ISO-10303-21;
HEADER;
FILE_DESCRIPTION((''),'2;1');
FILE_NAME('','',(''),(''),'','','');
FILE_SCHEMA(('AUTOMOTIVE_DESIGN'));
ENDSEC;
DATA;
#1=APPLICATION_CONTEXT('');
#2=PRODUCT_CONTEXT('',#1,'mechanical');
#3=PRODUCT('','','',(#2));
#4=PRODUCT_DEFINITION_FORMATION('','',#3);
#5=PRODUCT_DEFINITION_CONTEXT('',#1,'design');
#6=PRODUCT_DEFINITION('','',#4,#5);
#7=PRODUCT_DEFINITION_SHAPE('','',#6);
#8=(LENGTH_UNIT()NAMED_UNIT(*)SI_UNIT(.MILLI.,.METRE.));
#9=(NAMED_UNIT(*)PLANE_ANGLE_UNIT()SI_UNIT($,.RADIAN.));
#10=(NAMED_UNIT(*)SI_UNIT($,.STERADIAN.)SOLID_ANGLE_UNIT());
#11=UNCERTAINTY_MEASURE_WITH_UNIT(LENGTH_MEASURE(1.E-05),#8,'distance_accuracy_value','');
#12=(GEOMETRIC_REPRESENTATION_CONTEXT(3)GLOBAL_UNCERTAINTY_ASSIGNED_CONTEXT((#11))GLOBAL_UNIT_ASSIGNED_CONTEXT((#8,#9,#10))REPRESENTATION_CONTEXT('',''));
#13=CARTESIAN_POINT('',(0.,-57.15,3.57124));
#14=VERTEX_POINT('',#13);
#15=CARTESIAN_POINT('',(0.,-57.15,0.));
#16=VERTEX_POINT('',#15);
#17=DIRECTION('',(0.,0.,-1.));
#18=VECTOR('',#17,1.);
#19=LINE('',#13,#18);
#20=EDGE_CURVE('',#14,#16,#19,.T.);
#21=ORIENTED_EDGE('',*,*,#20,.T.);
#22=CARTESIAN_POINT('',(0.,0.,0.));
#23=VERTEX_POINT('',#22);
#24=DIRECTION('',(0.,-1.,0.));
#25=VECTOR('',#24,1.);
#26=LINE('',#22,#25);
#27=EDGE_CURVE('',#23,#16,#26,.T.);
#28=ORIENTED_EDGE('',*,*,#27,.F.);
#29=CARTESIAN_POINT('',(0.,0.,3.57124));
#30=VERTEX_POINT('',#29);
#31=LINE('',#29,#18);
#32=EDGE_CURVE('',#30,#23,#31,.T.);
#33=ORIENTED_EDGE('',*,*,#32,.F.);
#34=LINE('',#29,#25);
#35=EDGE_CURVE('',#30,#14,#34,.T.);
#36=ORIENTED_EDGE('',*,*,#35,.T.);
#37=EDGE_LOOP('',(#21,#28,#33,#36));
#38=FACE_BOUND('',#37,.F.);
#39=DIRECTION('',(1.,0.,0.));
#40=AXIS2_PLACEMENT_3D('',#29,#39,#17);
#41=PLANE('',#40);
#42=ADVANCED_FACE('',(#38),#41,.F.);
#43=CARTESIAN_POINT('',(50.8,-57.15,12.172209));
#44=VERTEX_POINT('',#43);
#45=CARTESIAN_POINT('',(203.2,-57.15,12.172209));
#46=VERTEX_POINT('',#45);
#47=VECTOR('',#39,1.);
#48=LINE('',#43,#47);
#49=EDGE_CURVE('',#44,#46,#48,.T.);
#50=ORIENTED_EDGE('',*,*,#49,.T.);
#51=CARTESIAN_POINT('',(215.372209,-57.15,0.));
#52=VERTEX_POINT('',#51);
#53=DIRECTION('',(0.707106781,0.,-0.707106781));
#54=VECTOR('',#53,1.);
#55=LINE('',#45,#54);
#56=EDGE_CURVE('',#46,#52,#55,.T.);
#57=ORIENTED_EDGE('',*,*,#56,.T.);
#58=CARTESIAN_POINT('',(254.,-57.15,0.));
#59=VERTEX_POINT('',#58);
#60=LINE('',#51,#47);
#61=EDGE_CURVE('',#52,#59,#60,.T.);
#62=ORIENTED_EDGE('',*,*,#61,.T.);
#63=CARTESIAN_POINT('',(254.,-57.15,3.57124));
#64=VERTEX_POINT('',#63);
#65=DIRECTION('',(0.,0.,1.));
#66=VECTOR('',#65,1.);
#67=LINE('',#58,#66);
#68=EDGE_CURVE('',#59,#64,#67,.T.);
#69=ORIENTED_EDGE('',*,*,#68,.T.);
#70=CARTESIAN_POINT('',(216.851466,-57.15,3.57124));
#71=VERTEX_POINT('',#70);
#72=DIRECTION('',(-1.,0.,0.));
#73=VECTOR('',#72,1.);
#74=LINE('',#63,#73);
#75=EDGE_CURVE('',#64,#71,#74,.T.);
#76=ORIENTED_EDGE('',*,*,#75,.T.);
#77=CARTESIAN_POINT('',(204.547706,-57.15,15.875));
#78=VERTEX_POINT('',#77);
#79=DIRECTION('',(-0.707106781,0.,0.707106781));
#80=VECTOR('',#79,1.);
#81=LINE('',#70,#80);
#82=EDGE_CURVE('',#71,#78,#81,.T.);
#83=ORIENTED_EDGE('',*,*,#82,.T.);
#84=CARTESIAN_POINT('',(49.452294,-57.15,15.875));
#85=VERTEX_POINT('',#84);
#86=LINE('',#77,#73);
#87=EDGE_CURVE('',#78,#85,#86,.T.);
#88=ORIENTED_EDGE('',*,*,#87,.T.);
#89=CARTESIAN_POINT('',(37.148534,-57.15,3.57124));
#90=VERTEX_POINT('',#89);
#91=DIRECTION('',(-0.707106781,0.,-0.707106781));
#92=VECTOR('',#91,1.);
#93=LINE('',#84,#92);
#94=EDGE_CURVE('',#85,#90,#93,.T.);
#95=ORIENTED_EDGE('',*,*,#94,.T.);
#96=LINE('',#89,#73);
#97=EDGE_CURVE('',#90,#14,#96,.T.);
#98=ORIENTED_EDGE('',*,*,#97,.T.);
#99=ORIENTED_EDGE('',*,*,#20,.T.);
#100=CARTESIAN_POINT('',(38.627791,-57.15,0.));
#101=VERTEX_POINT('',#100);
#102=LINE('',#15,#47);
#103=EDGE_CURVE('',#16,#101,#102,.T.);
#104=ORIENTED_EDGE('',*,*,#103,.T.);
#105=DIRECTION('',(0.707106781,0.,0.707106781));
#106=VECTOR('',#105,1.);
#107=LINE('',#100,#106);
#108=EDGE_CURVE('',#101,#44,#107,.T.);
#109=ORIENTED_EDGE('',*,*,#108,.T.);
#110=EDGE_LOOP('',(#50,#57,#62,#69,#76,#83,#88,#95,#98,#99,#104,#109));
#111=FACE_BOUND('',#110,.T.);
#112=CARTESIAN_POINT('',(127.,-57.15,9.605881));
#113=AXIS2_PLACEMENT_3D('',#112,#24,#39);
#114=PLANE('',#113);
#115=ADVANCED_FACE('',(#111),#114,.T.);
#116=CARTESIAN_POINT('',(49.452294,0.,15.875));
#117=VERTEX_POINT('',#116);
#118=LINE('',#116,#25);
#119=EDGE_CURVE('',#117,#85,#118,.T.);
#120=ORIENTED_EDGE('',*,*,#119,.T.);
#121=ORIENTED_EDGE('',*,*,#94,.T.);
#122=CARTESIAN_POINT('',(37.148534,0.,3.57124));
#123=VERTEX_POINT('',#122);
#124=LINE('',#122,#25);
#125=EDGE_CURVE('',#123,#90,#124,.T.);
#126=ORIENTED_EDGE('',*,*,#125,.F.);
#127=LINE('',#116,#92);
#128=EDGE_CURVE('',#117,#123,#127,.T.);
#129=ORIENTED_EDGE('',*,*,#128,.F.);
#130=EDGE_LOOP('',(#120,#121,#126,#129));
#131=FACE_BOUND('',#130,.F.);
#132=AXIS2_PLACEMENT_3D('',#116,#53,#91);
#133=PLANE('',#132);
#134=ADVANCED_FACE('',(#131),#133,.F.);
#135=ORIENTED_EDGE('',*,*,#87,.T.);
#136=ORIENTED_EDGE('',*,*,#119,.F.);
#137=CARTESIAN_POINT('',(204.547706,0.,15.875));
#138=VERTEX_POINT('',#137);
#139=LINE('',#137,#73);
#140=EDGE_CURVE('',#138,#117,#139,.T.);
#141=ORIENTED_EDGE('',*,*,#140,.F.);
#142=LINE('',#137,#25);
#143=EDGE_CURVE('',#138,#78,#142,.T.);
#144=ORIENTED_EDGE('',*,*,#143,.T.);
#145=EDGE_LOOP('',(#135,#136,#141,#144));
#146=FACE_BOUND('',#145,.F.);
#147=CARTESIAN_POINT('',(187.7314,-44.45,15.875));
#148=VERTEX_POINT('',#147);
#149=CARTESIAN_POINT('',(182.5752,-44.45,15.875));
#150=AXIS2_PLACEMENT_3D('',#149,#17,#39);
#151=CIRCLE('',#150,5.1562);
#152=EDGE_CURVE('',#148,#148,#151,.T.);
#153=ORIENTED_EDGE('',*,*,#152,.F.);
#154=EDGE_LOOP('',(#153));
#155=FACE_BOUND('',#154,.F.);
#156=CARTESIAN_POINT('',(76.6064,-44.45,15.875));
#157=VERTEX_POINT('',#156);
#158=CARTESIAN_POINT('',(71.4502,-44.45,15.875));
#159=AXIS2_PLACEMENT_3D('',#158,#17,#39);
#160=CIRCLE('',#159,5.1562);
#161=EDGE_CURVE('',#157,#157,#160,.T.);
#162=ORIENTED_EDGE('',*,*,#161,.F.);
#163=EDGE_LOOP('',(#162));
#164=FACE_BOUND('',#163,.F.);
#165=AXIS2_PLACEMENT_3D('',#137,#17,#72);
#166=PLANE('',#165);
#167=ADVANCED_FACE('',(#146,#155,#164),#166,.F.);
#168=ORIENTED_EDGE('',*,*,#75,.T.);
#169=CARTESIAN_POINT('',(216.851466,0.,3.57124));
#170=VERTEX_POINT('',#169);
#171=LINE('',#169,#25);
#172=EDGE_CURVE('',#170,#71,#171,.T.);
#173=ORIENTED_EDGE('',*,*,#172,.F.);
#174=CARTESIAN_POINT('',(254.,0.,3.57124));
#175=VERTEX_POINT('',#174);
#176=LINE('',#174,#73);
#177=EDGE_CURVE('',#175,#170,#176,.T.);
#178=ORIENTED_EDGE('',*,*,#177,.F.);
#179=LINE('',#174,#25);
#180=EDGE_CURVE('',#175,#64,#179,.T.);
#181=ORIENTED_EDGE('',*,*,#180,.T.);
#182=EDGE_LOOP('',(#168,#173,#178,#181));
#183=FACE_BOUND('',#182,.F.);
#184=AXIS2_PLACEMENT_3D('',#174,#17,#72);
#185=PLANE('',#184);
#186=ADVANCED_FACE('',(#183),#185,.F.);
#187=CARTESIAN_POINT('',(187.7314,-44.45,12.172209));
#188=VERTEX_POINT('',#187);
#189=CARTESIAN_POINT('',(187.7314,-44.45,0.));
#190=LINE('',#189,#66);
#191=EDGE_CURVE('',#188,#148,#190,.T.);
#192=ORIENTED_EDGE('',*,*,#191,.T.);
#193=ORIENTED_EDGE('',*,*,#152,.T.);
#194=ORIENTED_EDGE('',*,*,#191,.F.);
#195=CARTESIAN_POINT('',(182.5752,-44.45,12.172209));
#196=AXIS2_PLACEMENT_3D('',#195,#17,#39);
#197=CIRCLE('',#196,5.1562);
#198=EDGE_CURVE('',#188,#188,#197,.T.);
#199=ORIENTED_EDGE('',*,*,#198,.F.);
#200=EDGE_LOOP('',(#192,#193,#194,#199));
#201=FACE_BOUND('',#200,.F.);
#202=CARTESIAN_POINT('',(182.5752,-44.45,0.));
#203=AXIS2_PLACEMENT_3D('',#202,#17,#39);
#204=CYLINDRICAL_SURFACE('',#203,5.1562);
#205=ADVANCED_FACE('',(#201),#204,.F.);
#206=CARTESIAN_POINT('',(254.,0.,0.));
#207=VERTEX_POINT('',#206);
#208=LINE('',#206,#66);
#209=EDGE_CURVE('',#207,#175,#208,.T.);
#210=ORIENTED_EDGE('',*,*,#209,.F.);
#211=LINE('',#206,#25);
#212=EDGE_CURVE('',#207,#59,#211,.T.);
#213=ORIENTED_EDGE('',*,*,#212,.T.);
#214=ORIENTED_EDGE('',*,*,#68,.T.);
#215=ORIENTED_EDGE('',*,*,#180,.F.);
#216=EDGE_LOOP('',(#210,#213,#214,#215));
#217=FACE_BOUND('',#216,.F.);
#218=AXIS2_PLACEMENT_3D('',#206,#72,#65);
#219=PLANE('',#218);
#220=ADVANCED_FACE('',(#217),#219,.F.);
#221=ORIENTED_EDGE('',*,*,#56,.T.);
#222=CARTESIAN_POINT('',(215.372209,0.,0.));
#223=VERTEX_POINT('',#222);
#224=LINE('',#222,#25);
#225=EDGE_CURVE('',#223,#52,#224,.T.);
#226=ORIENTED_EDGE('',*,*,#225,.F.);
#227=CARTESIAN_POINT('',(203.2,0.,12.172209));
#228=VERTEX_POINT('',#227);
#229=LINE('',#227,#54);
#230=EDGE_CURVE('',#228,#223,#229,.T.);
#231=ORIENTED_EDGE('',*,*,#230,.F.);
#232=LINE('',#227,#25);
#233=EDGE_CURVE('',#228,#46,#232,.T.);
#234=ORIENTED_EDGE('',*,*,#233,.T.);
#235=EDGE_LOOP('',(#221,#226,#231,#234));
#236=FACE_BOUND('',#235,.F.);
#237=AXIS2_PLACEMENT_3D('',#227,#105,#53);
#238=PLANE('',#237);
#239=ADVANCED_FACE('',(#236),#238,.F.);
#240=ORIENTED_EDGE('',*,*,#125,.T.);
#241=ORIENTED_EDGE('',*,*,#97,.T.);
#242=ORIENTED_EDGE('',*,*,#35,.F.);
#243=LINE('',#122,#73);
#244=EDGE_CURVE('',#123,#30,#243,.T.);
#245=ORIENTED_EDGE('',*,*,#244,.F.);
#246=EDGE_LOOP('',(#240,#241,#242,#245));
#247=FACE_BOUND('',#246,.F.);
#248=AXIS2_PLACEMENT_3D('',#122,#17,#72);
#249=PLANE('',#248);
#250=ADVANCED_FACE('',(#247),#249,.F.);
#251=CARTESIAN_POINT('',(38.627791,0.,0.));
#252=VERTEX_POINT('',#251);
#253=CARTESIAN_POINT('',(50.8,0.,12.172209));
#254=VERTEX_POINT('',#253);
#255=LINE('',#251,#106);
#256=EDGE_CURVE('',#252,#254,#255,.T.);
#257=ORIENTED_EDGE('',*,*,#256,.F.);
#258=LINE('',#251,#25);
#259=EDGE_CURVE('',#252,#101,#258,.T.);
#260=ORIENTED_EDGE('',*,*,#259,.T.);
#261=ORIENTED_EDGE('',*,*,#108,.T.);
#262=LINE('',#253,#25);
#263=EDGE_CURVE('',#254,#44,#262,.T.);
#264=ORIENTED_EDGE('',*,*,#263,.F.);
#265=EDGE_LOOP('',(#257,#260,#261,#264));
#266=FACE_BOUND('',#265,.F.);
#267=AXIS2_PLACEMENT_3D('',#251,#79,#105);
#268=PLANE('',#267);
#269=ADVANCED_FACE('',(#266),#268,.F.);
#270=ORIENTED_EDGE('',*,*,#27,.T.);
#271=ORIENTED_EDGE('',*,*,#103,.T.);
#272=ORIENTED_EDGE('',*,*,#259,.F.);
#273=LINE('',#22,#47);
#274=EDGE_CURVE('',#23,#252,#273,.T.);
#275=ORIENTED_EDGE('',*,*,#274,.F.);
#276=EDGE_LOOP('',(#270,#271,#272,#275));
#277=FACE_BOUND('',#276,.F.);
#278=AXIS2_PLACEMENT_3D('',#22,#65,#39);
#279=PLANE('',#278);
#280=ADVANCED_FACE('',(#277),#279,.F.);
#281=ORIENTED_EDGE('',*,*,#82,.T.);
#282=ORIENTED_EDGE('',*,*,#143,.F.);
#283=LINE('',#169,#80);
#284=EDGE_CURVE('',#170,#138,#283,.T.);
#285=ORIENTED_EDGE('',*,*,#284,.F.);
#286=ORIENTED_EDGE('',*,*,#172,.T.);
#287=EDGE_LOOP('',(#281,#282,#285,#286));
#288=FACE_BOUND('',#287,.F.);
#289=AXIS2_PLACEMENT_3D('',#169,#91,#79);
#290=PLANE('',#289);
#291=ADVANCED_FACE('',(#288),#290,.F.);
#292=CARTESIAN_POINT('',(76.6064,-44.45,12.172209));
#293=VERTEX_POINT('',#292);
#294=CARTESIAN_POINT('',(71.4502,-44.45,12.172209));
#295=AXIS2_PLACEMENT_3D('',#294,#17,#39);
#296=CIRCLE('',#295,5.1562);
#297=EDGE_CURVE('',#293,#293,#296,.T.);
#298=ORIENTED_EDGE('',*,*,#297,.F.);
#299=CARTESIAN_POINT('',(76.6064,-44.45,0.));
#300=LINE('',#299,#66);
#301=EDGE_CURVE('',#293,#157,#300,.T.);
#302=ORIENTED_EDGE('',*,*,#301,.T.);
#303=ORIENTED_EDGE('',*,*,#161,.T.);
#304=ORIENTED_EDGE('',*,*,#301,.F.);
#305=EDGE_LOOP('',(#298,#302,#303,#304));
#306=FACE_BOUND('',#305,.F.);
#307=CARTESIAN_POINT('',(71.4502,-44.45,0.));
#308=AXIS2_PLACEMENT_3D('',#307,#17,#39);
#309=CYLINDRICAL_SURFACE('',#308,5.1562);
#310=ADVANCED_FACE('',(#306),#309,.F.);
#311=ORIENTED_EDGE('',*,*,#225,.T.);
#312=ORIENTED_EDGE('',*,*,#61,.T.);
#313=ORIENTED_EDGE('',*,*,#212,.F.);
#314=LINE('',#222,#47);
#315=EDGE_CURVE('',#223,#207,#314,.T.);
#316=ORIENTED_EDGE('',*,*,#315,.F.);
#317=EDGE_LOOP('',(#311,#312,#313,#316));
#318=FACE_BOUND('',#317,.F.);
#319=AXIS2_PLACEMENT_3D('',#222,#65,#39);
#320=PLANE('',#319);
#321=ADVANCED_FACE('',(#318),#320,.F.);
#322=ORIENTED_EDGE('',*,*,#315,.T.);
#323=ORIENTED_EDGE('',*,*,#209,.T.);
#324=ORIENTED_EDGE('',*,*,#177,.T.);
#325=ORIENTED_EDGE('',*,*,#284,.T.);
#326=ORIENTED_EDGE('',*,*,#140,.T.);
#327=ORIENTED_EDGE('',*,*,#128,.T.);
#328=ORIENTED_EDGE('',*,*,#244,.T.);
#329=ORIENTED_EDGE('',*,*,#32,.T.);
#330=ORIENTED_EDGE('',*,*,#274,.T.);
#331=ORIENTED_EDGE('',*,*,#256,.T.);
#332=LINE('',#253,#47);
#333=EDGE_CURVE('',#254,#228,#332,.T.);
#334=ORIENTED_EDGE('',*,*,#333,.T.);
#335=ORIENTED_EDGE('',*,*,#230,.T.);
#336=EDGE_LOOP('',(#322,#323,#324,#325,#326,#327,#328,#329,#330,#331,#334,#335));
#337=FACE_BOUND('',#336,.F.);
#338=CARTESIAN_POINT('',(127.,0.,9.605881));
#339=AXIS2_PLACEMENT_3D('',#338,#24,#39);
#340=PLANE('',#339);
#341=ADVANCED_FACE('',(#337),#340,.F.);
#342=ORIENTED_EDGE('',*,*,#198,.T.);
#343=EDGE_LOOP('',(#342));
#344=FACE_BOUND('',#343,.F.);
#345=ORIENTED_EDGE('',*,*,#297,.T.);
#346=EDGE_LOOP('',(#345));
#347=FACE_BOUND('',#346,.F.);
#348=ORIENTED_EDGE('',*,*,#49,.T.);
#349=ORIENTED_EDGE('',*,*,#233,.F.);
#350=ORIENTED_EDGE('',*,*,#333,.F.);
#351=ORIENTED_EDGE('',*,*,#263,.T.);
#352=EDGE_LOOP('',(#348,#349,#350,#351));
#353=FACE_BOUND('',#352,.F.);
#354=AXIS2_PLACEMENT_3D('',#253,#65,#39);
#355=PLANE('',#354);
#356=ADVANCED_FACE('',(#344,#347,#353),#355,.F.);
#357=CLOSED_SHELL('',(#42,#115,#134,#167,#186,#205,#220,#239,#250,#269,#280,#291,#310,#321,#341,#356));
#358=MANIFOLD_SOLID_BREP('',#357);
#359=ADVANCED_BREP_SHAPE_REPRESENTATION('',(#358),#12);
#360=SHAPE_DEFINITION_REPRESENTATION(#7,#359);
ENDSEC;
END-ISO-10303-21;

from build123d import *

# Parameters (mm, degrees)
F1_DEPTH = 57.15
F2_R     = 5.1562
F3_DEPTH = 25.4


with BuildPart() as f1:
    # F0 (on Front) → F1 (new body)
    with BuildSketch(Plane.XZ):
        Polygon((0, 3.57124), (0, 0), (38.627791, 0), (50.8, 12.172209), (51.9684, 12.172209), (127, 12.172209), (203.2, 12.172209), (215.372209, 0), (254, 0), (254, 3.57124), (216.851466, 3.57124), (204.547706, 15.875), (49.452294, 15.875), (37.148534, 3.57124), align=None)
    extrude(amount=F1_DEPTH)

    # F2 (on face) → F3 (cut)
    with BuildSketch(Plane(origin=(0, 0, 0), x_dir=(1, 0, 0), z_dir=(0, 0, -1))):
        with Locations((71.4502, 44.45)):
            Circle(F2_R)
        with Locations((182.5752, 44.45)):
            Circle(F2_R)
    extrude(amount=-F3_DEPTH, mode=Mode.SUBTRACT)


solid = f1.part
